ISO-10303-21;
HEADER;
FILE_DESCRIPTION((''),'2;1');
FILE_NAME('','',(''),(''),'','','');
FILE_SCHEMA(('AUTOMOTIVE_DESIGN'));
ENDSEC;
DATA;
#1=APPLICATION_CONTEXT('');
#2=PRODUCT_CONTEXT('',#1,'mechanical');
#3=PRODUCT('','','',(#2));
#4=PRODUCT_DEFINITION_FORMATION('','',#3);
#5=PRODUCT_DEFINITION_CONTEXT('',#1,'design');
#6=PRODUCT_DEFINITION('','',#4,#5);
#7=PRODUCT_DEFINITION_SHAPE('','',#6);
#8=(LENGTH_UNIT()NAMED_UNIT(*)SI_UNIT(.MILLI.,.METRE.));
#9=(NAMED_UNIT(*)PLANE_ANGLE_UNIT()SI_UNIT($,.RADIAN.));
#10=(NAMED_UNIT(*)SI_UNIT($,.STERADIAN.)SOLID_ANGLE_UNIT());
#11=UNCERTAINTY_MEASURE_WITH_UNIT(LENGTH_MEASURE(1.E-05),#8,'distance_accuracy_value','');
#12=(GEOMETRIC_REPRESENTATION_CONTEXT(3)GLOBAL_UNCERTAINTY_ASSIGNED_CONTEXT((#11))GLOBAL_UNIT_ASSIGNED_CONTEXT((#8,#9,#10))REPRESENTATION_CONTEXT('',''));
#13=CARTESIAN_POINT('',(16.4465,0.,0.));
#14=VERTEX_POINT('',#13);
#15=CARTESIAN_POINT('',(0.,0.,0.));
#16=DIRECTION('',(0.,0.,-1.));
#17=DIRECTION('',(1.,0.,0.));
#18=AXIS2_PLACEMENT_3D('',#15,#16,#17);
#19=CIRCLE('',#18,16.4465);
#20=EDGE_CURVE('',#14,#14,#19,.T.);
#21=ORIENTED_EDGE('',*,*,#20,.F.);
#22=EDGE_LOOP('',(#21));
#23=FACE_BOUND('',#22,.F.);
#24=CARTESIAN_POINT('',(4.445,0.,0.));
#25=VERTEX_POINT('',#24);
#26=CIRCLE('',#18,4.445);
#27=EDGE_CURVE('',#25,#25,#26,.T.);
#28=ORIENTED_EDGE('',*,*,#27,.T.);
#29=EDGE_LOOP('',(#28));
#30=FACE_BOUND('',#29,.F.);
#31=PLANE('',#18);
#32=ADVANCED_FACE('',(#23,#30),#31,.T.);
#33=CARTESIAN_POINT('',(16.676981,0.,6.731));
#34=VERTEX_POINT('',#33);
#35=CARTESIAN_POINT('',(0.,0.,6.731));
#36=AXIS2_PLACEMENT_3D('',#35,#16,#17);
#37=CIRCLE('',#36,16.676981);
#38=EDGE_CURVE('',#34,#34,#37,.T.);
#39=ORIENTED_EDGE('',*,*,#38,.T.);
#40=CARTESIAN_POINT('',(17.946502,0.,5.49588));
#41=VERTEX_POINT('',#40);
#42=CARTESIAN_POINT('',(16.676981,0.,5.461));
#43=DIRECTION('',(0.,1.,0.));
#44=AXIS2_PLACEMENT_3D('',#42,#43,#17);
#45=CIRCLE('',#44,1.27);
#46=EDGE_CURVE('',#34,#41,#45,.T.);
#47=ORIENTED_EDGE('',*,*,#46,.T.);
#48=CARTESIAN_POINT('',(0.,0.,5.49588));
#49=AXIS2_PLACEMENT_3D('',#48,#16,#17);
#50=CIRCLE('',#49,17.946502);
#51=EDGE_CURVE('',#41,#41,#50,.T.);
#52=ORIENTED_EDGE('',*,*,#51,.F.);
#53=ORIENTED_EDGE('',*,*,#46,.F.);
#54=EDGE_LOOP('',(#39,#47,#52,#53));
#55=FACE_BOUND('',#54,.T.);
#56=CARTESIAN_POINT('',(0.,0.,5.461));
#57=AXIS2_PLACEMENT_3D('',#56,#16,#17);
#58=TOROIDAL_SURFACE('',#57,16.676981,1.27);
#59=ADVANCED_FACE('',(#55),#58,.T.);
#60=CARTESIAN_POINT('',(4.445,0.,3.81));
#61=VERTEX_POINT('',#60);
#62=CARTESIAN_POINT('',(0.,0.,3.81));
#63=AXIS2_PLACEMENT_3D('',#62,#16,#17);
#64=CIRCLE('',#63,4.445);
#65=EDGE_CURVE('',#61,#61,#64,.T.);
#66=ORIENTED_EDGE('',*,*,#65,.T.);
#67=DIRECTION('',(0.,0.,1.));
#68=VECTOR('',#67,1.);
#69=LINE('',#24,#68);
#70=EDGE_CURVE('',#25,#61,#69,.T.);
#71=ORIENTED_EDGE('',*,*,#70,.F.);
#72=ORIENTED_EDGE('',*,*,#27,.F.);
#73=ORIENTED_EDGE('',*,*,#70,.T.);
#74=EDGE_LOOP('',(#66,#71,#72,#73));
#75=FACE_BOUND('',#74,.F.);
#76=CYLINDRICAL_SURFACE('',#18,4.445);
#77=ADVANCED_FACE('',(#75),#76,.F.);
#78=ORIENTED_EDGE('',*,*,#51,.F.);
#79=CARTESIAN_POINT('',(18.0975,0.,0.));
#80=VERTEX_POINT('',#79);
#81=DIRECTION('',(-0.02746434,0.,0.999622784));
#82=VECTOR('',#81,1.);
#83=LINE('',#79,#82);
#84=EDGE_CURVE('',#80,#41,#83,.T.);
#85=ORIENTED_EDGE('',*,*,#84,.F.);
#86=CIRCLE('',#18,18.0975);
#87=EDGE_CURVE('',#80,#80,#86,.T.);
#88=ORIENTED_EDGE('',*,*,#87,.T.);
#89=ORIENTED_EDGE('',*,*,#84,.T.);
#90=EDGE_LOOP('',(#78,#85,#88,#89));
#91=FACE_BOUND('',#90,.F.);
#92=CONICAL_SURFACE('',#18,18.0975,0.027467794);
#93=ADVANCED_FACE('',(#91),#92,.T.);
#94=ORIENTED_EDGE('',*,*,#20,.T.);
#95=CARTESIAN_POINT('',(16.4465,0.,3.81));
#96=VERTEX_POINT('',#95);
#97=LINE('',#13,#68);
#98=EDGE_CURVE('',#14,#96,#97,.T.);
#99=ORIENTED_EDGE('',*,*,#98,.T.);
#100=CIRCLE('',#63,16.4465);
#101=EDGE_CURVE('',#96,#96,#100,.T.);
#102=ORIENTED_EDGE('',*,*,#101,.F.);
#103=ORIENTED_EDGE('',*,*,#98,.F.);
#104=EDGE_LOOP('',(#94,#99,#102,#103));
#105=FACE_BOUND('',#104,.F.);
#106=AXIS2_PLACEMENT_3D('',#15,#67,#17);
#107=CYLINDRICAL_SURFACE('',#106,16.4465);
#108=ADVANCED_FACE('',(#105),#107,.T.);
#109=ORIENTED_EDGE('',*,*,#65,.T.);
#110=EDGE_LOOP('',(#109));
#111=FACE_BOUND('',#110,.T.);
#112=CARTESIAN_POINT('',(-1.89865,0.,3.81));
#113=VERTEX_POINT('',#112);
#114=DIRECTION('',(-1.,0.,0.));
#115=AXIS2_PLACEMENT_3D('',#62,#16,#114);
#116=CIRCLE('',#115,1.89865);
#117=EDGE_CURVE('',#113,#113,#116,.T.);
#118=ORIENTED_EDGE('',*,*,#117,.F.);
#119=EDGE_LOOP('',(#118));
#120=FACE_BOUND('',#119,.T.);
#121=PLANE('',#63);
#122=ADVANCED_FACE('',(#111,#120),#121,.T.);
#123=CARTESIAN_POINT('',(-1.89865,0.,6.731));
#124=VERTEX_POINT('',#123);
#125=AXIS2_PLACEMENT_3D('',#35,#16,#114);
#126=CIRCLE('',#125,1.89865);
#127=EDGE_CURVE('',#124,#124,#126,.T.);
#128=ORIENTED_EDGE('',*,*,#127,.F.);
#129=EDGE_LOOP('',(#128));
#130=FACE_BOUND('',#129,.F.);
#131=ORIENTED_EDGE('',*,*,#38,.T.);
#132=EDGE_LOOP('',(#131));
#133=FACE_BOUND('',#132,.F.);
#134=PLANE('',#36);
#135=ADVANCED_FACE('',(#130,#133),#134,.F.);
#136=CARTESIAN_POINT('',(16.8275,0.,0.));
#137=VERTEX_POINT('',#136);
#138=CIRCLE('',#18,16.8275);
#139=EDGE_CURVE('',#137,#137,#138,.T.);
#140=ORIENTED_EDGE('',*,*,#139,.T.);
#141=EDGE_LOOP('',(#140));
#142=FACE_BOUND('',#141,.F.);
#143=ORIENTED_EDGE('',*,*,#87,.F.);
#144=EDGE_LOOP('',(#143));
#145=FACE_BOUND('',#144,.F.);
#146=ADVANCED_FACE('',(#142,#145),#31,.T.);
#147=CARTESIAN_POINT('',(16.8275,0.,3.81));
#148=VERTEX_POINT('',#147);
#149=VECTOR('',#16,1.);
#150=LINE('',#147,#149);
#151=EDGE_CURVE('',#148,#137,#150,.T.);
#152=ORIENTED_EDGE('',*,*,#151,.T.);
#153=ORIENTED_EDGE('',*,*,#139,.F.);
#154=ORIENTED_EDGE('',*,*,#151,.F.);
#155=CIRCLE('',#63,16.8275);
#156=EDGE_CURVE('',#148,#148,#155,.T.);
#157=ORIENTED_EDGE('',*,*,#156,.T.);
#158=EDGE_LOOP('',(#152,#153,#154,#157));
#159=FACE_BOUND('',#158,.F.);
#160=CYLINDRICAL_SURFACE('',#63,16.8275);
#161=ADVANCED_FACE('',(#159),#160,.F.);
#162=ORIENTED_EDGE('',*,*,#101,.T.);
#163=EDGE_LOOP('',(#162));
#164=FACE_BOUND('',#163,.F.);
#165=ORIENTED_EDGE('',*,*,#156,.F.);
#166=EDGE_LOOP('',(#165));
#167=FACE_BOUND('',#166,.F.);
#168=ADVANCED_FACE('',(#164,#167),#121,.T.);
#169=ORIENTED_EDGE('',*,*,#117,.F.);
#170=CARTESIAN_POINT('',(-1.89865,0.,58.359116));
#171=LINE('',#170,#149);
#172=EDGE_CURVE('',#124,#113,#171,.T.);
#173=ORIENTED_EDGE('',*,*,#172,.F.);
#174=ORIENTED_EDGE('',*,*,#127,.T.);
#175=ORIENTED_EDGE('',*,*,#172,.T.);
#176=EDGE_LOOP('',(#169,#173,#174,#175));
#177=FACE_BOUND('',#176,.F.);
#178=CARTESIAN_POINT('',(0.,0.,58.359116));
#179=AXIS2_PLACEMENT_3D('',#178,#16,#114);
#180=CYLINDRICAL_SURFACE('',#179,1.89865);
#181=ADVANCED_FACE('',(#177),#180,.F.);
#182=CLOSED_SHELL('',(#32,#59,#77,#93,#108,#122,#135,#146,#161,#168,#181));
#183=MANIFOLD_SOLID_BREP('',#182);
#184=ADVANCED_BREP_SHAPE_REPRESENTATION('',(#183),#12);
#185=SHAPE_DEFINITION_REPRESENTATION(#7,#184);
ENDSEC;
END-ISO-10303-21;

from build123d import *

# Parameters (mm, degrees)
F3_D     = 3.7973
F4_R     = 4.445
F4_R_2   = 1.89865
F5_DEPTH = 3.81
F6_R     = 1.27


with BuildPart() as f1:
    # F0 (on Front) → F1 (revolve)
    with BuildSketch(Plane.XZ):
        Polygon((17.9125677648, 6.731), (0, 6.731), (0, 0), (16.4465, 0), (16.4465, 3.81), (16.8275, 3.81), (16.8275, 0), (18.0975, 0), align=None)
    revolve(axis=Axis((0, 0, 3.3655), (0, 0, -1)))

    # F3 (through all)
    with Locations(Plane.XY.offset(6.731)):
        with Locations((0, 0)):
            Hole(F3_D / 2)

    # F4 (on face) → F5 (cut)
    with BuildSketch(Plane(origin=(0, 0, 0), x_dir=(1, 0, 0), z_dir=(0, 0, -1))):
        Circle(F4_R)
        Circle(F4_R_2, mode=Mode.SUBTRACT)
    extrude(amount=-F5_DEPTH, mode=Mode.SUBTRACT)

    # F6
    f6_edges = [f1.edges().sort_by_distance(p)[0] for p in [
        (-17.912568, 0, 6.731),
    ]]
    fillet(f6_edges, radius=F6_R)


solid = f1.part
